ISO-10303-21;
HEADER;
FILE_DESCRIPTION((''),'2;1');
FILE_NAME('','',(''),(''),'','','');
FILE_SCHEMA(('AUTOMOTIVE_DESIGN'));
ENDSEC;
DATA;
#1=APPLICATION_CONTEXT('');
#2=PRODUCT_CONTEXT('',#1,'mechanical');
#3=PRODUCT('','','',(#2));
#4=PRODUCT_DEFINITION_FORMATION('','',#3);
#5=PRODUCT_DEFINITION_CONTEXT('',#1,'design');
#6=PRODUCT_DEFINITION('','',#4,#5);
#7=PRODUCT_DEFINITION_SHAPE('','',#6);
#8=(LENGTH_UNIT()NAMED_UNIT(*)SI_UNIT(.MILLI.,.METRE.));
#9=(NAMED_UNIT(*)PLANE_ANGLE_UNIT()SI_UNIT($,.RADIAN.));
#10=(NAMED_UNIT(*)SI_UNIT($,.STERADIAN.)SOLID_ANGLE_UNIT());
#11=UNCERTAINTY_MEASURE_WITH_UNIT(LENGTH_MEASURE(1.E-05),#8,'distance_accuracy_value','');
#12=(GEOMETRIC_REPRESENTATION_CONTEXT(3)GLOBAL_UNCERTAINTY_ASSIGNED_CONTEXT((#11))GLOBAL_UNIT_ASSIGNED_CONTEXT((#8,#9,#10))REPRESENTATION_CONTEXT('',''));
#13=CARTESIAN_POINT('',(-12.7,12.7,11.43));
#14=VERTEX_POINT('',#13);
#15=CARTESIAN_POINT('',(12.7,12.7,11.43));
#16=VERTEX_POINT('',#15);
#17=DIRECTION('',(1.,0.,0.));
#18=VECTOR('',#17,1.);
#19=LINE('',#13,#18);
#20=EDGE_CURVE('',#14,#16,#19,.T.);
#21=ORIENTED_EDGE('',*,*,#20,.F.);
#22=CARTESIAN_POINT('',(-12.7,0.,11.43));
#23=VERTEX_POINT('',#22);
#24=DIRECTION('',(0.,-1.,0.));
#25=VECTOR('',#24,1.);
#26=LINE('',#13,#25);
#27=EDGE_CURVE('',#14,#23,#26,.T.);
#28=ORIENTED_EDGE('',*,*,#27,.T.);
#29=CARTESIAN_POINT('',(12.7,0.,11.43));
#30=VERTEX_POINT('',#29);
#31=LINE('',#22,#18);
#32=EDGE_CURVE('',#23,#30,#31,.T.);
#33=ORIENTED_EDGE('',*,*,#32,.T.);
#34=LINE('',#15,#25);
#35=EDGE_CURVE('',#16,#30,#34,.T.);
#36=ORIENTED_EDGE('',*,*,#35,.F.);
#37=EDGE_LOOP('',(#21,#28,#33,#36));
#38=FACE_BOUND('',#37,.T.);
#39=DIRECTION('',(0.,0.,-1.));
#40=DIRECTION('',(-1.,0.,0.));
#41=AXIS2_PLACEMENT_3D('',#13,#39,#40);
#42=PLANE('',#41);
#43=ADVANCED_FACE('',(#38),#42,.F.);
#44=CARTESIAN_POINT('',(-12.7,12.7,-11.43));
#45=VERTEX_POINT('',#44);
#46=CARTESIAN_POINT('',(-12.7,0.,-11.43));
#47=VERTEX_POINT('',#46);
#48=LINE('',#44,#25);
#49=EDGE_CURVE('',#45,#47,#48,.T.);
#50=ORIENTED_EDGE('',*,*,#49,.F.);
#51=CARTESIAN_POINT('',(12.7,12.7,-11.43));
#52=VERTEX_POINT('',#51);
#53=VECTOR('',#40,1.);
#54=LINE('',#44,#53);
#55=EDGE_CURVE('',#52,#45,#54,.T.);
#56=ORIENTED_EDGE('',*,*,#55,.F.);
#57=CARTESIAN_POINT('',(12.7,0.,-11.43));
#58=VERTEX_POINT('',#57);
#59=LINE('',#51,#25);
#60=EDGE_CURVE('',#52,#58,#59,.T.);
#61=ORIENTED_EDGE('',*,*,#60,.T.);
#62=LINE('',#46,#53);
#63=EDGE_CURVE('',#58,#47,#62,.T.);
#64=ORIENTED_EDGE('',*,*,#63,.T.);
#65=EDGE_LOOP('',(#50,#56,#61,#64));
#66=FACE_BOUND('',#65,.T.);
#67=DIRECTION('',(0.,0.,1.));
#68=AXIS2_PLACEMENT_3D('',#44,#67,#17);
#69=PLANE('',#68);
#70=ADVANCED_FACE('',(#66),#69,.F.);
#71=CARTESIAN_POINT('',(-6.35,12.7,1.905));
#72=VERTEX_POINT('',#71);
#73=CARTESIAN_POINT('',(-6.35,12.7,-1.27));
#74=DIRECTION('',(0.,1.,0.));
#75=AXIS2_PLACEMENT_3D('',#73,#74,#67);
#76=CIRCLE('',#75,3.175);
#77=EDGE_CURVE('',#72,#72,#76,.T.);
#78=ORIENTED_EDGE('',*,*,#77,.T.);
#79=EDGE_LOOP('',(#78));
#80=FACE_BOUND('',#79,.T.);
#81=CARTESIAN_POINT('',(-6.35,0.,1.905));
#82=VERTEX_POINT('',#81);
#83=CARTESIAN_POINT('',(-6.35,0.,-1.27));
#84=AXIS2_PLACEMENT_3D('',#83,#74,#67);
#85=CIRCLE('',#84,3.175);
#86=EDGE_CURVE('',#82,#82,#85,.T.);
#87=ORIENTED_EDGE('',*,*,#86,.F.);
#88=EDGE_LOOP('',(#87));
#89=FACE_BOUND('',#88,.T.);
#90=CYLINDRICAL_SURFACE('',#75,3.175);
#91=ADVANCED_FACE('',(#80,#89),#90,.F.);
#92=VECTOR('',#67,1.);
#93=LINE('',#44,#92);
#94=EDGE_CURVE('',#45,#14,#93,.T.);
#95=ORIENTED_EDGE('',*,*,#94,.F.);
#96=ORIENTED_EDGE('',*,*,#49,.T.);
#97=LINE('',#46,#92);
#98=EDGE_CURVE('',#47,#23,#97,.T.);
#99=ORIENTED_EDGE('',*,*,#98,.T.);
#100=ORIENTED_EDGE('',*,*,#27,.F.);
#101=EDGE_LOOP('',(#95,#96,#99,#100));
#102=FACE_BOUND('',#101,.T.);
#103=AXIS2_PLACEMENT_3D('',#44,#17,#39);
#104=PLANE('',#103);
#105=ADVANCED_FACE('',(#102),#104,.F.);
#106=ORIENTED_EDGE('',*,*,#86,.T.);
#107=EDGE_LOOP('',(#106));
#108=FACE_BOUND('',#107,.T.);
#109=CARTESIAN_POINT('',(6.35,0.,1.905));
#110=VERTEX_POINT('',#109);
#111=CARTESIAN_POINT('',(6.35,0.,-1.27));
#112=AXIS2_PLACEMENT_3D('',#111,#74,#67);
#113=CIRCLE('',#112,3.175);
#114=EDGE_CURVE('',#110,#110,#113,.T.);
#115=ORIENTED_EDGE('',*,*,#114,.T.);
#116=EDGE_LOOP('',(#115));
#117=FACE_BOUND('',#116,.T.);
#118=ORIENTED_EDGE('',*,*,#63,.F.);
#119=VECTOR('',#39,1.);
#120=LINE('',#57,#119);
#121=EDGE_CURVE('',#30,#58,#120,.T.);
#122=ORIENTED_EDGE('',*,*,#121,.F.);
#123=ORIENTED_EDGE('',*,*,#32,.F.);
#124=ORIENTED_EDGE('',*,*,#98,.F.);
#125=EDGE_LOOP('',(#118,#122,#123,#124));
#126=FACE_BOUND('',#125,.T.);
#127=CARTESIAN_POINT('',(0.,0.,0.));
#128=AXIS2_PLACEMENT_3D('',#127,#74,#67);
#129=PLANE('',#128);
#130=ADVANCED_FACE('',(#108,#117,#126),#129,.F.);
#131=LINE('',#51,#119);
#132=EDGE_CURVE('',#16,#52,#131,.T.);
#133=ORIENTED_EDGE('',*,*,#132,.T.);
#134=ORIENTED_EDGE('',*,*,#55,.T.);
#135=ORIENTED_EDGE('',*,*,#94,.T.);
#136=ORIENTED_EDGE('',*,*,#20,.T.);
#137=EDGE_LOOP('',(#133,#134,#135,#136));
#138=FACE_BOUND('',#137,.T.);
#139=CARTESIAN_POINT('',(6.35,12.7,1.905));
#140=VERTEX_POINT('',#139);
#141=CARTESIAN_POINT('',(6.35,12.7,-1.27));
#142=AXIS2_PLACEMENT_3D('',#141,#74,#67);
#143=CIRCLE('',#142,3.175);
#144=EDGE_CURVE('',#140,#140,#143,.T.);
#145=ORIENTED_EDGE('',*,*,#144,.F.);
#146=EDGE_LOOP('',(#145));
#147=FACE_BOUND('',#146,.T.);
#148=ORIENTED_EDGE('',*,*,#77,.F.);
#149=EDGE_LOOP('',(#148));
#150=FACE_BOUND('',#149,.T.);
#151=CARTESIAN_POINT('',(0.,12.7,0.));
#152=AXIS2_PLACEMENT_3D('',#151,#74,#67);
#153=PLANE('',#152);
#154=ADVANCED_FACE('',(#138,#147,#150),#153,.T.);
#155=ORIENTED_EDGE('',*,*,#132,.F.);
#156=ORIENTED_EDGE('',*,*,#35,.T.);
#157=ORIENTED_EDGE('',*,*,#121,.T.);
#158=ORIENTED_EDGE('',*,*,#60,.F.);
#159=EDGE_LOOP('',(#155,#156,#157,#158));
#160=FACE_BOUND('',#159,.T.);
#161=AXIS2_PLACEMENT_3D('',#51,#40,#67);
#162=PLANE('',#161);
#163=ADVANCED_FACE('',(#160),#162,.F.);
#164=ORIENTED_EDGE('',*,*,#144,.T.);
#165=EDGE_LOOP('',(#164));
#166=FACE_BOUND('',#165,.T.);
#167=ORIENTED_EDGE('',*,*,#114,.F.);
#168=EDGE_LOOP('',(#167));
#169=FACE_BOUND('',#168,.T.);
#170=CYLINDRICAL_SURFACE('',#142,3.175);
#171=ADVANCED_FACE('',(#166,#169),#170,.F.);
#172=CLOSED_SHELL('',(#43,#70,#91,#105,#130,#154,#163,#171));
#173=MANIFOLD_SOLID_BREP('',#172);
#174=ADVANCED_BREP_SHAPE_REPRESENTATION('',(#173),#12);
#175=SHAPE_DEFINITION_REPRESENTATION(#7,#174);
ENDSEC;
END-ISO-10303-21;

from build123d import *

# Parameters (mm, degrees)
SKETCH1_W                       = 25.4
SKETCH1_H                       = 22.86
BOSS_EXTRUDE1_DEPTH             = 12.7
F_1_4_0_25_DIAMETER_HOLE1_D     = 6.35
F_1_4_0_25_DIAMETER_HOLE1_DEPTH = 12.7


with BuildPart() as part:
    # Sketch1 → Boss-Extrude1 (new body)
    with BuildSketch(Plane(origin=(0, 0, 0), x_dir=(1, 0, 0), z_dir=(0, 1, 0))):
        Rectangle(SKETCH1_W, SKETCH1_H)
    extrude(amount=BOSS_EXTRUDE1_DEPTH)

    # 1/4 (0.25) Diameter Hole1
    with Locations(Plane(origin=(0, 12.7, 0), x_dir=(1, 0, 0), z_dir=(0, 1, 0))):
        with Locations((-6.35, 1.27), (6.35, 1.27)):
            Hole(F_1_4_0_25_DIAMETER_HOLE1_D / 2, depth=F_1_4_0_25_DIAMETER_HOLE1_DEPTH)


solid = part.part
